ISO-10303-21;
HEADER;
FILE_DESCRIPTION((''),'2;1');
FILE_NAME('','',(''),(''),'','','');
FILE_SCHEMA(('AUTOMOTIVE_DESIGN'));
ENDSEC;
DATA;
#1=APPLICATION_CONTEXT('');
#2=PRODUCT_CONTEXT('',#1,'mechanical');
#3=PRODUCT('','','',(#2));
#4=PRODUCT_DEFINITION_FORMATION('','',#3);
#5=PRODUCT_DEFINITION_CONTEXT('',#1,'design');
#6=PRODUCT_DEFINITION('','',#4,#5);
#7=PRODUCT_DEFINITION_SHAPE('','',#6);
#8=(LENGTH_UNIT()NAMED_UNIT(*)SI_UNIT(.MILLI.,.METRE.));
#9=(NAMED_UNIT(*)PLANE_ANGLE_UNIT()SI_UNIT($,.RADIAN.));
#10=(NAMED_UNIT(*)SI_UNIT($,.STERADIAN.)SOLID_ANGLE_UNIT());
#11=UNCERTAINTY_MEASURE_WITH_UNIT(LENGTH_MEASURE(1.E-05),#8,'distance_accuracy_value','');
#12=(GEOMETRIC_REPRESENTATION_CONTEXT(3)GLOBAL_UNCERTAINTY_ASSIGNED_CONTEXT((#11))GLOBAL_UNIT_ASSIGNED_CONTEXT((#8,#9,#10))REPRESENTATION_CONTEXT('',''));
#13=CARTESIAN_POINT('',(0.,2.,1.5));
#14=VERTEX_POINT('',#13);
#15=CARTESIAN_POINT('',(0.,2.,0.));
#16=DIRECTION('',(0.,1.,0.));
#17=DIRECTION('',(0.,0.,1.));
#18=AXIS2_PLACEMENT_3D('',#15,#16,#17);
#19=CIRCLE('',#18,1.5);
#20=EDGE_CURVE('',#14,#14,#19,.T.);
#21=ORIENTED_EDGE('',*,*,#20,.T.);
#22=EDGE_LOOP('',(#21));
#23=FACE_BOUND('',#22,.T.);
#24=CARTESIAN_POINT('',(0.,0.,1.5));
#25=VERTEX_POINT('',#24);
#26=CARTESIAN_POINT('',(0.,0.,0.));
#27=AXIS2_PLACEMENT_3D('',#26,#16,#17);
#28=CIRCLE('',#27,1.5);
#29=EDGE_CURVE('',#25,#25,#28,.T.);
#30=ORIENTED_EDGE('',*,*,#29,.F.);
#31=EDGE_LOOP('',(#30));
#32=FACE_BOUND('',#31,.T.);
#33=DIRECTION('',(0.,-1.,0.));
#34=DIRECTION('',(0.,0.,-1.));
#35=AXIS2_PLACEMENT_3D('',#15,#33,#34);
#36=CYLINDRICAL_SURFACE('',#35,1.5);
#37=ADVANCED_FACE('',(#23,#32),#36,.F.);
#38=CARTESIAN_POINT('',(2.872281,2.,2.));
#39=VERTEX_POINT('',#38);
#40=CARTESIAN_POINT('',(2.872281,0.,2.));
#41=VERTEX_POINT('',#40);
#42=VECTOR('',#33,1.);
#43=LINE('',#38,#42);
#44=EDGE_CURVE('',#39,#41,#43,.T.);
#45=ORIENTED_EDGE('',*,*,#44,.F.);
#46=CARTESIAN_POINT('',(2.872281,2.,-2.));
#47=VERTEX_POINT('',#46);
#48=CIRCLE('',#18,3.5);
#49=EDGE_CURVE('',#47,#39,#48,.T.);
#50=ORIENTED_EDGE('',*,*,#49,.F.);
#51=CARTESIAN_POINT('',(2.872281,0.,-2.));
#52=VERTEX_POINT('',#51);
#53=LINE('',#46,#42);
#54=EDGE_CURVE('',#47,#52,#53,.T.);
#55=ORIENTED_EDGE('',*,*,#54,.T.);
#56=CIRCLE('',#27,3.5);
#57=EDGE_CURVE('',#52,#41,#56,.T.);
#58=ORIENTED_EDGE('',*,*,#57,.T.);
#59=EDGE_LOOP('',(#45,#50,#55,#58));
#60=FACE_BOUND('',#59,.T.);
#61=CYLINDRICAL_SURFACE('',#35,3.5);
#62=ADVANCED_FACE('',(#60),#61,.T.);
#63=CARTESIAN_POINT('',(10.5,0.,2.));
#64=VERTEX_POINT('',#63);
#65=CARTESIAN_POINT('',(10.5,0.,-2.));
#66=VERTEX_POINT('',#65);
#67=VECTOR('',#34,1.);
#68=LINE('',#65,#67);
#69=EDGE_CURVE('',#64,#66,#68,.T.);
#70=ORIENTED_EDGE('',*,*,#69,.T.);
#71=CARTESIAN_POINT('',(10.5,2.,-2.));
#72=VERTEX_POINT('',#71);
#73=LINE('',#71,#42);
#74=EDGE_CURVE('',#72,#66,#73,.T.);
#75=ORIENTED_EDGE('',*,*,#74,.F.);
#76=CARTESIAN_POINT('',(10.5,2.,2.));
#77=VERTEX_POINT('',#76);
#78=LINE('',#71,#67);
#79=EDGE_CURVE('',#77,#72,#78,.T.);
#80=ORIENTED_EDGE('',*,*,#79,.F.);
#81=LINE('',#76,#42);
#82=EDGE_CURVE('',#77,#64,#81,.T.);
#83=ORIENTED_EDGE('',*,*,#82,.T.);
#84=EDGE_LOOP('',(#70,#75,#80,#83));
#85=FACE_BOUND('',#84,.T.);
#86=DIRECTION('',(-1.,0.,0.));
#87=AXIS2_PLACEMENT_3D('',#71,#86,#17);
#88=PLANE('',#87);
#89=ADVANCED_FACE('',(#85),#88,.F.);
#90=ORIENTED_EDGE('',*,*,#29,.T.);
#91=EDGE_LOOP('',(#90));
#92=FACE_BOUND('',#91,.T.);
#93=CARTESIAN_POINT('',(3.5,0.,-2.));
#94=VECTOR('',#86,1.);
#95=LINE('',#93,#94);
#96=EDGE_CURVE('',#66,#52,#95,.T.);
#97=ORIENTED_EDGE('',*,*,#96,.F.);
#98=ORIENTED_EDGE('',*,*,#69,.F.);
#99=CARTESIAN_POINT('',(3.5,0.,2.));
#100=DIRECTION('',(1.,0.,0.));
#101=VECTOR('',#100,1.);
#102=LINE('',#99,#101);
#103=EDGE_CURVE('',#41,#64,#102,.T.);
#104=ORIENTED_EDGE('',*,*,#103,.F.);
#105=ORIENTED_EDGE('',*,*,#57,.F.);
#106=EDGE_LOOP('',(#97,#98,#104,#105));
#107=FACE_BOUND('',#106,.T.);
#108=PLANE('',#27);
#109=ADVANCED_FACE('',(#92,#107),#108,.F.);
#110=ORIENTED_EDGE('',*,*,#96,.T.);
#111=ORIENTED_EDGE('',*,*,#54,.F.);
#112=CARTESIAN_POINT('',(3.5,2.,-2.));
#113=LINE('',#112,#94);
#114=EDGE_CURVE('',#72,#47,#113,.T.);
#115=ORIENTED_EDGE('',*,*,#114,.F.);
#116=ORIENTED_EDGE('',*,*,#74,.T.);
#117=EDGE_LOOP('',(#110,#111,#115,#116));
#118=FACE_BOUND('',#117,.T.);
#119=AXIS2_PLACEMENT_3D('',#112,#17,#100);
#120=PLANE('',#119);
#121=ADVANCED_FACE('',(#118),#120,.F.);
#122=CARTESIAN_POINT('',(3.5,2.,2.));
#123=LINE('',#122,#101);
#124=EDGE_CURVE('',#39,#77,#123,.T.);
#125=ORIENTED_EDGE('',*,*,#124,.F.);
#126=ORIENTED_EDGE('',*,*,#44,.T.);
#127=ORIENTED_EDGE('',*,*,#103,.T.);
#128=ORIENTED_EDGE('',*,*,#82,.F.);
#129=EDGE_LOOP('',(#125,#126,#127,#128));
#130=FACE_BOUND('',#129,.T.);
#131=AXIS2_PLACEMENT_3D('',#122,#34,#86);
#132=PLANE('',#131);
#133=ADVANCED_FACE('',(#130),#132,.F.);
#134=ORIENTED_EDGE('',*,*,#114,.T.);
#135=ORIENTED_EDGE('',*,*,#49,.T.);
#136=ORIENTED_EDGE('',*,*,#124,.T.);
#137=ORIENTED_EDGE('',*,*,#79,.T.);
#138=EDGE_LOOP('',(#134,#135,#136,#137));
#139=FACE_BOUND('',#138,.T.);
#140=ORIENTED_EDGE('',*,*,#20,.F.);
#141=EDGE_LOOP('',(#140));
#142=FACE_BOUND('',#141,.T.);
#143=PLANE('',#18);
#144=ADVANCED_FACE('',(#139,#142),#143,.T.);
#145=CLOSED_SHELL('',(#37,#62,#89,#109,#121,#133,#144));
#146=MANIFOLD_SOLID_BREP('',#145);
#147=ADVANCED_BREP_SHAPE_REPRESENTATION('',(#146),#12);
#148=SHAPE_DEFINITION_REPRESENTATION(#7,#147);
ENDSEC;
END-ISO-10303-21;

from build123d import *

# Parameters (mm, degrees)
SZKIC1_R                    = 1.5
DODANIE_WYCI_GNI_CIE1_DEPTH = 2


with BuildPart() as part:
    # Szkic1 → Dodanie-wyciągnięcie1 (new body)
    with BuildSketch(Plane(origin=(0, 0, 0), x_dir=(1, 0, 0), z_dir=(0, 1, 0))):
        with BuildLine():
            Line((3.5, 2), (10.5, 2))
            Line((10.5, 2), (10.5, -2))
            Line((10.5, -2), (3.5, -2))
            Line((3.5, -2), (2.872281323, -2))
            ThreePointArc((2.872281323, -2), (-3.5, 0), (2.872281323, 2))
            Line((2.872281323, 2), (3.5, 2))
        make_face()
        with Locations(Location((0, 0, 0), (0, 0, 270))):
            Circle(SZKIC1_R, mode=Mode.SUBTRACT)
    extrude(amount=DODANIE_WYCI_GNI_CIE1_DEPTH)


solid = part.part
